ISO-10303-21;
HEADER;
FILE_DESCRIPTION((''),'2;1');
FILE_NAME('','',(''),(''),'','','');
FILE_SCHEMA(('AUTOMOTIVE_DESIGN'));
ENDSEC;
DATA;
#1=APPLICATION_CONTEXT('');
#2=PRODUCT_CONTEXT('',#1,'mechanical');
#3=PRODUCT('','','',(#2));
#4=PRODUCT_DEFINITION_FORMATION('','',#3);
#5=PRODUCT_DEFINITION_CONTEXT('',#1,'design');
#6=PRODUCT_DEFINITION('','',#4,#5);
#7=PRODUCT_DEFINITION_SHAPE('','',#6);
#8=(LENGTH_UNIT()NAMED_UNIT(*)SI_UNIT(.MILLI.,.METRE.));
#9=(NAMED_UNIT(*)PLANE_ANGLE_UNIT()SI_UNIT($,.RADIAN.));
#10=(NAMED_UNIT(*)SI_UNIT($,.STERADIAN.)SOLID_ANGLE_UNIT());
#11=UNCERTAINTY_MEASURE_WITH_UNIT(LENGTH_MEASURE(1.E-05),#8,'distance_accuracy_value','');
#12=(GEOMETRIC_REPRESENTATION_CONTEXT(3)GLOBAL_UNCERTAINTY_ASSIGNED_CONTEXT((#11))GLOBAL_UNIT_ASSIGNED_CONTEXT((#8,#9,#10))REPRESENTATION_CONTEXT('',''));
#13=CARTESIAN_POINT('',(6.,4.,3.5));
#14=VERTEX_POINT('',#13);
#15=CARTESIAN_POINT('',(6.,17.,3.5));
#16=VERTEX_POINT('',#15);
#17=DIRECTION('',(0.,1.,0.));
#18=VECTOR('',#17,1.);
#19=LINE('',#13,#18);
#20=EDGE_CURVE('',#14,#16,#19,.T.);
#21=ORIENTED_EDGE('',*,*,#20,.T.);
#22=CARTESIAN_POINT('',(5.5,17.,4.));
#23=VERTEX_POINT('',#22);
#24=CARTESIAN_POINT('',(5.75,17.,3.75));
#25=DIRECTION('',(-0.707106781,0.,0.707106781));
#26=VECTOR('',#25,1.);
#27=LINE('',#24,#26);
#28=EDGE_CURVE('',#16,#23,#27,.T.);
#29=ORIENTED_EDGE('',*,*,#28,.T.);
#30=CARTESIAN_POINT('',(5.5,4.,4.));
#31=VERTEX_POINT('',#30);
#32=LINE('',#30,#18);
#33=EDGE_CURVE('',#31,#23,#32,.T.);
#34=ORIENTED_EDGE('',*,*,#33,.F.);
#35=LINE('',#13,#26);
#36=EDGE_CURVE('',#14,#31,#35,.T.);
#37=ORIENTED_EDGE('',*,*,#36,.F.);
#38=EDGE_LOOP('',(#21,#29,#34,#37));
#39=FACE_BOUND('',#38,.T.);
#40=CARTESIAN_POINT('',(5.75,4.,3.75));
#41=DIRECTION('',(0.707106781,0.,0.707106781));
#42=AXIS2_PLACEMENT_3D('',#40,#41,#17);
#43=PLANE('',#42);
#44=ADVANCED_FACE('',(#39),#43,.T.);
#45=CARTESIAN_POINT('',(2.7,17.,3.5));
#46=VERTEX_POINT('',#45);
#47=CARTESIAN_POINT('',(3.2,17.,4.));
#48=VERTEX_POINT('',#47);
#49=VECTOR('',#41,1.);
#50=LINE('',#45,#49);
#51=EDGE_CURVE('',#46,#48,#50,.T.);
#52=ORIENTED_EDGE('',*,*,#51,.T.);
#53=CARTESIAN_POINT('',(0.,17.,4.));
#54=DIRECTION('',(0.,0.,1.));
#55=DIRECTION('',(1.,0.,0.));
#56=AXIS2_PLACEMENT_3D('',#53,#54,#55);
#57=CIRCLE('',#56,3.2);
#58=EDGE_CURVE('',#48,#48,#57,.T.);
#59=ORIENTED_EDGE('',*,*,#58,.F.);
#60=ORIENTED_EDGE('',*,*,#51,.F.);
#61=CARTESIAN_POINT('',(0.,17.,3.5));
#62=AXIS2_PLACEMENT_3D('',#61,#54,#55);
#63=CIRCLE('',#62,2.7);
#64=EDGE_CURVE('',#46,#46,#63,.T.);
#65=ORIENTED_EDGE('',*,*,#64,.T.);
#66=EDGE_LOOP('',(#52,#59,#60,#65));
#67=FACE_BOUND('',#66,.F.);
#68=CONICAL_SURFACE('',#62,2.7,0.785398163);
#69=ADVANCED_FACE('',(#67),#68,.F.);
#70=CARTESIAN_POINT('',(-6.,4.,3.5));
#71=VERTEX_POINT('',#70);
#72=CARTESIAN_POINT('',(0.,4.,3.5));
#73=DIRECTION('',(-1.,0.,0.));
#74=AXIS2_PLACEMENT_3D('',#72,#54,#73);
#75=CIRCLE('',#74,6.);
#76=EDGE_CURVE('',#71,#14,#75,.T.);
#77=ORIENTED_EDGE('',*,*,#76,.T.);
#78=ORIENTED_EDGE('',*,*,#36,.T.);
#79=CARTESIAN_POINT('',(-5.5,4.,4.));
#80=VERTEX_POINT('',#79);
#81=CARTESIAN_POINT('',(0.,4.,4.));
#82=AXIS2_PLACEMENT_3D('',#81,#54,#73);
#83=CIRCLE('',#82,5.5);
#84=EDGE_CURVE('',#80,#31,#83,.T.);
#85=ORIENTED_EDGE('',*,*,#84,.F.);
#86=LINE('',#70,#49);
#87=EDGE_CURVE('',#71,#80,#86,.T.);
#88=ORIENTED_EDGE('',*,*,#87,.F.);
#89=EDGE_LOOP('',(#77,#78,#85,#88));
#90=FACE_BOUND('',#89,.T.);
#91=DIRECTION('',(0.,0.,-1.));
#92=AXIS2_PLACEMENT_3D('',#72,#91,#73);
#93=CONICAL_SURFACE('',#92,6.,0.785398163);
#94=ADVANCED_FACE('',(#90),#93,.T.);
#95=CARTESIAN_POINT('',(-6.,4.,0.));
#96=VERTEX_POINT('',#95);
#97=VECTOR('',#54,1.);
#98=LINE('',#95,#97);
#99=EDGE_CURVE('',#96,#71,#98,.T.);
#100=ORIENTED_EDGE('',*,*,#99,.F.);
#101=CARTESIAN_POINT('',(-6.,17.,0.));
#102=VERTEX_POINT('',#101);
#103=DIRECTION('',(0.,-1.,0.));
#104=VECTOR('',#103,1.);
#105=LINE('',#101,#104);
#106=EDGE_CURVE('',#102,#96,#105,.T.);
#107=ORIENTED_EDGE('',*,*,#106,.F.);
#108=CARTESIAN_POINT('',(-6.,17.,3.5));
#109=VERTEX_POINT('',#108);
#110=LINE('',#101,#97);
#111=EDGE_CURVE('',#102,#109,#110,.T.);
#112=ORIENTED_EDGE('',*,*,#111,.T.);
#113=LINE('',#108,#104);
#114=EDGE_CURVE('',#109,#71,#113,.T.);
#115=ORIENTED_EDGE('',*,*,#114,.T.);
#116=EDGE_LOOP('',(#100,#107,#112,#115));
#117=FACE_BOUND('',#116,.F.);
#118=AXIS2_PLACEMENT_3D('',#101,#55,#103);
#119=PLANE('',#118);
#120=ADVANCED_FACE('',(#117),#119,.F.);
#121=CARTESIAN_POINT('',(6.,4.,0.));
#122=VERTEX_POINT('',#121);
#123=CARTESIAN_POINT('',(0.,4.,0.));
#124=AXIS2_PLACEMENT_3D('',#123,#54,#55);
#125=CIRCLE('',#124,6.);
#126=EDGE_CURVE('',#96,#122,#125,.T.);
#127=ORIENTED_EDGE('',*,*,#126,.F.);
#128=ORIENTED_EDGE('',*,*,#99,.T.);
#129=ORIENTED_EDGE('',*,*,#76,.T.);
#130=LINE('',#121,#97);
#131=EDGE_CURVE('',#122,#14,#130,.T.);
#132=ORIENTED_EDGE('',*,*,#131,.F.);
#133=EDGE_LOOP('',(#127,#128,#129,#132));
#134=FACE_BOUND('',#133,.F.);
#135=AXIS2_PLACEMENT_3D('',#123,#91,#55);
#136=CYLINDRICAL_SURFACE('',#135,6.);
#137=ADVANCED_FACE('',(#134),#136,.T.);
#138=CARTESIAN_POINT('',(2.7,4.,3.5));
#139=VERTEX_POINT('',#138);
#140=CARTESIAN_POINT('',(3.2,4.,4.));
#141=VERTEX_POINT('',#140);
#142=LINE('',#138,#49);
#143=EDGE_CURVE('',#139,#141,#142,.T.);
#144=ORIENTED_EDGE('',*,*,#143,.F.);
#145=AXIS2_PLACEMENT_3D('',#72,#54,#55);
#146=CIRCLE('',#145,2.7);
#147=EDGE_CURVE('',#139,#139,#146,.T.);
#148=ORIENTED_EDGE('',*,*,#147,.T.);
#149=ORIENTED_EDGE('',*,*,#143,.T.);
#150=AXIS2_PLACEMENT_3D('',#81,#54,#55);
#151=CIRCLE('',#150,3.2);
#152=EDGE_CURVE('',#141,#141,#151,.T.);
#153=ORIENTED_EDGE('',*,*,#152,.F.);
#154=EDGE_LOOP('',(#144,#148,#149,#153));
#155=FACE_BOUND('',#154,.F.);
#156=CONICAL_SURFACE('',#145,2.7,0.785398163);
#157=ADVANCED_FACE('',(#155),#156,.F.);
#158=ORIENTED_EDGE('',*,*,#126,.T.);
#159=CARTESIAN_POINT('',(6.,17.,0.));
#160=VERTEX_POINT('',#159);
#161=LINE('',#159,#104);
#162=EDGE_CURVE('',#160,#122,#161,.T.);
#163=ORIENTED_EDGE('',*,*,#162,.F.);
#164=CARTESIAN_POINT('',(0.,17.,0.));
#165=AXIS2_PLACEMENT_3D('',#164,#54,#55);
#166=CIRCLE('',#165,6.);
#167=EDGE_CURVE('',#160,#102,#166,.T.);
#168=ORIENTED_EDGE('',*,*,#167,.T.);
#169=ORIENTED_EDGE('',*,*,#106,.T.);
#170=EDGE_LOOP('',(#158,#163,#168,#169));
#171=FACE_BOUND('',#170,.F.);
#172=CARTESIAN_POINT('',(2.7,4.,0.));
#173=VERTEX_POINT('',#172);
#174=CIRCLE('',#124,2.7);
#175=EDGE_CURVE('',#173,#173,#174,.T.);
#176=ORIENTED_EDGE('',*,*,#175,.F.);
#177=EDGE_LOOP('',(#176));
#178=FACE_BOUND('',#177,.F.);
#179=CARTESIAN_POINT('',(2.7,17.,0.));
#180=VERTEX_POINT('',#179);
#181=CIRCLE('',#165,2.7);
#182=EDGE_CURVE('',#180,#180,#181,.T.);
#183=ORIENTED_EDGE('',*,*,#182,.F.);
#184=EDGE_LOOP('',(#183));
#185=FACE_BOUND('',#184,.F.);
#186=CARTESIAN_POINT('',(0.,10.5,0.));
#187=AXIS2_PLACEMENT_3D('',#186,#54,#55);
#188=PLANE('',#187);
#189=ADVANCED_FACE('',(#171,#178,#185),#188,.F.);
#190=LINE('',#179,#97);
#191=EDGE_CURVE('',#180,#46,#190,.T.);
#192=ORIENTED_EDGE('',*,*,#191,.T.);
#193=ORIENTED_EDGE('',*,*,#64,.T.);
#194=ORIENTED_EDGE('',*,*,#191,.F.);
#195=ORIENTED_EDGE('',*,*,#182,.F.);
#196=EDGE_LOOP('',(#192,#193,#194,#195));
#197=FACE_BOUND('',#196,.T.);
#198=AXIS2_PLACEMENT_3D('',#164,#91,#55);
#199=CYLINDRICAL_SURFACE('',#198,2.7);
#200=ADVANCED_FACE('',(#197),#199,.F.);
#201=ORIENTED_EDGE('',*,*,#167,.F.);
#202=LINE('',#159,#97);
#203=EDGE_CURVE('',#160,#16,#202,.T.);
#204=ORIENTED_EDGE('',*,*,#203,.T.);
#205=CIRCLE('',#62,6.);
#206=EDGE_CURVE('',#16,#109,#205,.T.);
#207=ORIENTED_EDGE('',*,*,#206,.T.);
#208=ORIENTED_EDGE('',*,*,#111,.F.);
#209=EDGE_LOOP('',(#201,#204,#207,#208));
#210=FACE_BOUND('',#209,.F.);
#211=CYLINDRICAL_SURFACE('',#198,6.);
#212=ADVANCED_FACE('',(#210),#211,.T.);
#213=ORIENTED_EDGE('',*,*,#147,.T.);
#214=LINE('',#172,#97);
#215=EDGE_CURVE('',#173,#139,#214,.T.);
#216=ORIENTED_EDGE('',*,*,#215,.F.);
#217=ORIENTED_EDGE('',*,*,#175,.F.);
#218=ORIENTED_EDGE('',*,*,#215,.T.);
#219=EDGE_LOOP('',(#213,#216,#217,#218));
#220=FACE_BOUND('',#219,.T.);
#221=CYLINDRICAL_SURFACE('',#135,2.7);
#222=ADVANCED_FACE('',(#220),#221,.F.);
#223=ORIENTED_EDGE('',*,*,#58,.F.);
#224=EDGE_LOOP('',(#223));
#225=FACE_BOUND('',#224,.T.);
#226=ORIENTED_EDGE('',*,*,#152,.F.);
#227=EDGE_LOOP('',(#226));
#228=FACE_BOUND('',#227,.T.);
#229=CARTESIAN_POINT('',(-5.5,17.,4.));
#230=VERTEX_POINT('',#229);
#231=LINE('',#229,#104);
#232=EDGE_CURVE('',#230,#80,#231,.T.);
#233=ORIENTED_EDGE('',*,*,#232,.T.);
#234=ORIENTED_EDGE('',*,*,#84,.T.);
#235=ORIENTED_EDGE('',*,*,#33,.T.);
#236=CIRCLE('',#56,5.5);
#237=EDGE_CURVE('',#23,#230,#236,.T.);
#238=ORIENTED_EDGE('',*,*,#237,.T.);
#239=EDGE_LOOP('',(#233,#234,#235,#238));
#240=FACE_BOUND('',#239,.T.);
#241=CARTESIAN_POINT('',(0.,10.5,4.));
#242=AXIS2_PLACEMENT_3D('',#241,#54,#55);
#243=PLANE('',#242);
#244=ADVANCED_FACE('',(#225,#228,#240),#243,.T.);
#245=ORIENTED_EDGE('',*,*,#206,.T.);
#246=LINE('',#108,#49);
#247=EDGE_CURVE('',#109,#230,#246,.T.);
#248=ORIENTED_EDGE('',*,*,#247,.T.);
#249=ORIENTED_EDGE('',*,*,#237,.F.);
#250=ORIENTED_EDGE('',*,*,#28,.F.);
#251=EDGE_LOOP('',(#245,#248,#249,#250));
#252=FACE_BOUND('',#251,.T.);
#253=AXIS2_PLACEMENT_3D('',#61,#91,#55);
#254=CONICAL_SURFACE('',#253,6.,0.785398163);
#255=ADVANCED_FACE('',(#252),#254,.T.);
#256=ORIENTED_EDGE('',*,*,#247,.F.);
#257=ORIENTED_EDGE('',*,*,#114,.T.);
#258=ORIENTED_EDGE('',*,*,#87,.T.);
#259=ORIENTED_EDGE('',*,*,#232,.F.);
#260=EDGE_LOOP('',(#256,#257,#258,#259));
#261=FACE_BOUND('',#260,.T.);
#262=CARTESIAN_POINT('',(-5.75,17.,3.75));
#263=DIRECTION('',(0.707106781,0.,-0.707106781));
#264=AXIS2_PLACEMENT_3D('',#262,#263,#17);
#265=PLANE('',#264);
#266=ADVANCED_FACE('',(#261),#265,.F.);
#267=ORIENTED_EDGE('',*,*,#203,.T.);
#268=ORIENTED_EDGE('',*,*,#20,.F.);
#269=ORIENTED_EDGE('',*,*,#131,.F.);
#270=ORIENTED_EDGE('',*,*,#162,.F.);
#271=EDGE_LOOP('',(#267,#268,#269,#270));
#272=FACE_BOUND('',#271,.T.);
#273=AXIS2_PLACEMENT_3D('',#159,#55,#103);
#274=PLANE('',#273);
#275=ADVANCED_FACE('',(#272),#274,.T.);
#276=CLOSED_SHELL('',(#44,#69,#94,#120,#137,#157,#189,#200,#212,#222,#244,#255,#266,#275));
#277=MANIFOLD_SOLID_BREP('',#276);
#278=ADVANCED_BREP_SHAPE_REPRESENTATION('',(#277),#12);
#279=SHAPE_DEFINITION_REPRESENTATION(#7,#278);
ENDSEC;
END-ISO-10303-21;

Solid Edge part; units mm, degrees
sketch "Sketch1" plane through (0, 0, 0) normal (0, 0, 1) x (1, 0, 0)
  circle A0 centre (0, 4) radius 2.7
  line L0 (-6, 17) -> (-6, 4)
  line L1 (6, 17) -> (6, 4)
  arc A1 (6, 17) -> (-6, 17) centre (0, 17) ccw
  arc A2 (-6, 4) -> (6, 4) centre (0, 4) ccw
  circle A3 centre (0, 17) radius 2.7
extrude "Protrusion1" add sketch "Sketch1" along normal blind 4
chamfer "Chamfer_1" [suppressed]
chamfer "Chamfer_2" distance 0.5 angle 45 6 edges at (0, -2, 4) (6, 10.5, 4) (0, 23, 4) (-6, 10.5, 4) (-2.7, 4, 4) (-2.7, 17, 4)
properties material "ABS Plastic, medium impact"
